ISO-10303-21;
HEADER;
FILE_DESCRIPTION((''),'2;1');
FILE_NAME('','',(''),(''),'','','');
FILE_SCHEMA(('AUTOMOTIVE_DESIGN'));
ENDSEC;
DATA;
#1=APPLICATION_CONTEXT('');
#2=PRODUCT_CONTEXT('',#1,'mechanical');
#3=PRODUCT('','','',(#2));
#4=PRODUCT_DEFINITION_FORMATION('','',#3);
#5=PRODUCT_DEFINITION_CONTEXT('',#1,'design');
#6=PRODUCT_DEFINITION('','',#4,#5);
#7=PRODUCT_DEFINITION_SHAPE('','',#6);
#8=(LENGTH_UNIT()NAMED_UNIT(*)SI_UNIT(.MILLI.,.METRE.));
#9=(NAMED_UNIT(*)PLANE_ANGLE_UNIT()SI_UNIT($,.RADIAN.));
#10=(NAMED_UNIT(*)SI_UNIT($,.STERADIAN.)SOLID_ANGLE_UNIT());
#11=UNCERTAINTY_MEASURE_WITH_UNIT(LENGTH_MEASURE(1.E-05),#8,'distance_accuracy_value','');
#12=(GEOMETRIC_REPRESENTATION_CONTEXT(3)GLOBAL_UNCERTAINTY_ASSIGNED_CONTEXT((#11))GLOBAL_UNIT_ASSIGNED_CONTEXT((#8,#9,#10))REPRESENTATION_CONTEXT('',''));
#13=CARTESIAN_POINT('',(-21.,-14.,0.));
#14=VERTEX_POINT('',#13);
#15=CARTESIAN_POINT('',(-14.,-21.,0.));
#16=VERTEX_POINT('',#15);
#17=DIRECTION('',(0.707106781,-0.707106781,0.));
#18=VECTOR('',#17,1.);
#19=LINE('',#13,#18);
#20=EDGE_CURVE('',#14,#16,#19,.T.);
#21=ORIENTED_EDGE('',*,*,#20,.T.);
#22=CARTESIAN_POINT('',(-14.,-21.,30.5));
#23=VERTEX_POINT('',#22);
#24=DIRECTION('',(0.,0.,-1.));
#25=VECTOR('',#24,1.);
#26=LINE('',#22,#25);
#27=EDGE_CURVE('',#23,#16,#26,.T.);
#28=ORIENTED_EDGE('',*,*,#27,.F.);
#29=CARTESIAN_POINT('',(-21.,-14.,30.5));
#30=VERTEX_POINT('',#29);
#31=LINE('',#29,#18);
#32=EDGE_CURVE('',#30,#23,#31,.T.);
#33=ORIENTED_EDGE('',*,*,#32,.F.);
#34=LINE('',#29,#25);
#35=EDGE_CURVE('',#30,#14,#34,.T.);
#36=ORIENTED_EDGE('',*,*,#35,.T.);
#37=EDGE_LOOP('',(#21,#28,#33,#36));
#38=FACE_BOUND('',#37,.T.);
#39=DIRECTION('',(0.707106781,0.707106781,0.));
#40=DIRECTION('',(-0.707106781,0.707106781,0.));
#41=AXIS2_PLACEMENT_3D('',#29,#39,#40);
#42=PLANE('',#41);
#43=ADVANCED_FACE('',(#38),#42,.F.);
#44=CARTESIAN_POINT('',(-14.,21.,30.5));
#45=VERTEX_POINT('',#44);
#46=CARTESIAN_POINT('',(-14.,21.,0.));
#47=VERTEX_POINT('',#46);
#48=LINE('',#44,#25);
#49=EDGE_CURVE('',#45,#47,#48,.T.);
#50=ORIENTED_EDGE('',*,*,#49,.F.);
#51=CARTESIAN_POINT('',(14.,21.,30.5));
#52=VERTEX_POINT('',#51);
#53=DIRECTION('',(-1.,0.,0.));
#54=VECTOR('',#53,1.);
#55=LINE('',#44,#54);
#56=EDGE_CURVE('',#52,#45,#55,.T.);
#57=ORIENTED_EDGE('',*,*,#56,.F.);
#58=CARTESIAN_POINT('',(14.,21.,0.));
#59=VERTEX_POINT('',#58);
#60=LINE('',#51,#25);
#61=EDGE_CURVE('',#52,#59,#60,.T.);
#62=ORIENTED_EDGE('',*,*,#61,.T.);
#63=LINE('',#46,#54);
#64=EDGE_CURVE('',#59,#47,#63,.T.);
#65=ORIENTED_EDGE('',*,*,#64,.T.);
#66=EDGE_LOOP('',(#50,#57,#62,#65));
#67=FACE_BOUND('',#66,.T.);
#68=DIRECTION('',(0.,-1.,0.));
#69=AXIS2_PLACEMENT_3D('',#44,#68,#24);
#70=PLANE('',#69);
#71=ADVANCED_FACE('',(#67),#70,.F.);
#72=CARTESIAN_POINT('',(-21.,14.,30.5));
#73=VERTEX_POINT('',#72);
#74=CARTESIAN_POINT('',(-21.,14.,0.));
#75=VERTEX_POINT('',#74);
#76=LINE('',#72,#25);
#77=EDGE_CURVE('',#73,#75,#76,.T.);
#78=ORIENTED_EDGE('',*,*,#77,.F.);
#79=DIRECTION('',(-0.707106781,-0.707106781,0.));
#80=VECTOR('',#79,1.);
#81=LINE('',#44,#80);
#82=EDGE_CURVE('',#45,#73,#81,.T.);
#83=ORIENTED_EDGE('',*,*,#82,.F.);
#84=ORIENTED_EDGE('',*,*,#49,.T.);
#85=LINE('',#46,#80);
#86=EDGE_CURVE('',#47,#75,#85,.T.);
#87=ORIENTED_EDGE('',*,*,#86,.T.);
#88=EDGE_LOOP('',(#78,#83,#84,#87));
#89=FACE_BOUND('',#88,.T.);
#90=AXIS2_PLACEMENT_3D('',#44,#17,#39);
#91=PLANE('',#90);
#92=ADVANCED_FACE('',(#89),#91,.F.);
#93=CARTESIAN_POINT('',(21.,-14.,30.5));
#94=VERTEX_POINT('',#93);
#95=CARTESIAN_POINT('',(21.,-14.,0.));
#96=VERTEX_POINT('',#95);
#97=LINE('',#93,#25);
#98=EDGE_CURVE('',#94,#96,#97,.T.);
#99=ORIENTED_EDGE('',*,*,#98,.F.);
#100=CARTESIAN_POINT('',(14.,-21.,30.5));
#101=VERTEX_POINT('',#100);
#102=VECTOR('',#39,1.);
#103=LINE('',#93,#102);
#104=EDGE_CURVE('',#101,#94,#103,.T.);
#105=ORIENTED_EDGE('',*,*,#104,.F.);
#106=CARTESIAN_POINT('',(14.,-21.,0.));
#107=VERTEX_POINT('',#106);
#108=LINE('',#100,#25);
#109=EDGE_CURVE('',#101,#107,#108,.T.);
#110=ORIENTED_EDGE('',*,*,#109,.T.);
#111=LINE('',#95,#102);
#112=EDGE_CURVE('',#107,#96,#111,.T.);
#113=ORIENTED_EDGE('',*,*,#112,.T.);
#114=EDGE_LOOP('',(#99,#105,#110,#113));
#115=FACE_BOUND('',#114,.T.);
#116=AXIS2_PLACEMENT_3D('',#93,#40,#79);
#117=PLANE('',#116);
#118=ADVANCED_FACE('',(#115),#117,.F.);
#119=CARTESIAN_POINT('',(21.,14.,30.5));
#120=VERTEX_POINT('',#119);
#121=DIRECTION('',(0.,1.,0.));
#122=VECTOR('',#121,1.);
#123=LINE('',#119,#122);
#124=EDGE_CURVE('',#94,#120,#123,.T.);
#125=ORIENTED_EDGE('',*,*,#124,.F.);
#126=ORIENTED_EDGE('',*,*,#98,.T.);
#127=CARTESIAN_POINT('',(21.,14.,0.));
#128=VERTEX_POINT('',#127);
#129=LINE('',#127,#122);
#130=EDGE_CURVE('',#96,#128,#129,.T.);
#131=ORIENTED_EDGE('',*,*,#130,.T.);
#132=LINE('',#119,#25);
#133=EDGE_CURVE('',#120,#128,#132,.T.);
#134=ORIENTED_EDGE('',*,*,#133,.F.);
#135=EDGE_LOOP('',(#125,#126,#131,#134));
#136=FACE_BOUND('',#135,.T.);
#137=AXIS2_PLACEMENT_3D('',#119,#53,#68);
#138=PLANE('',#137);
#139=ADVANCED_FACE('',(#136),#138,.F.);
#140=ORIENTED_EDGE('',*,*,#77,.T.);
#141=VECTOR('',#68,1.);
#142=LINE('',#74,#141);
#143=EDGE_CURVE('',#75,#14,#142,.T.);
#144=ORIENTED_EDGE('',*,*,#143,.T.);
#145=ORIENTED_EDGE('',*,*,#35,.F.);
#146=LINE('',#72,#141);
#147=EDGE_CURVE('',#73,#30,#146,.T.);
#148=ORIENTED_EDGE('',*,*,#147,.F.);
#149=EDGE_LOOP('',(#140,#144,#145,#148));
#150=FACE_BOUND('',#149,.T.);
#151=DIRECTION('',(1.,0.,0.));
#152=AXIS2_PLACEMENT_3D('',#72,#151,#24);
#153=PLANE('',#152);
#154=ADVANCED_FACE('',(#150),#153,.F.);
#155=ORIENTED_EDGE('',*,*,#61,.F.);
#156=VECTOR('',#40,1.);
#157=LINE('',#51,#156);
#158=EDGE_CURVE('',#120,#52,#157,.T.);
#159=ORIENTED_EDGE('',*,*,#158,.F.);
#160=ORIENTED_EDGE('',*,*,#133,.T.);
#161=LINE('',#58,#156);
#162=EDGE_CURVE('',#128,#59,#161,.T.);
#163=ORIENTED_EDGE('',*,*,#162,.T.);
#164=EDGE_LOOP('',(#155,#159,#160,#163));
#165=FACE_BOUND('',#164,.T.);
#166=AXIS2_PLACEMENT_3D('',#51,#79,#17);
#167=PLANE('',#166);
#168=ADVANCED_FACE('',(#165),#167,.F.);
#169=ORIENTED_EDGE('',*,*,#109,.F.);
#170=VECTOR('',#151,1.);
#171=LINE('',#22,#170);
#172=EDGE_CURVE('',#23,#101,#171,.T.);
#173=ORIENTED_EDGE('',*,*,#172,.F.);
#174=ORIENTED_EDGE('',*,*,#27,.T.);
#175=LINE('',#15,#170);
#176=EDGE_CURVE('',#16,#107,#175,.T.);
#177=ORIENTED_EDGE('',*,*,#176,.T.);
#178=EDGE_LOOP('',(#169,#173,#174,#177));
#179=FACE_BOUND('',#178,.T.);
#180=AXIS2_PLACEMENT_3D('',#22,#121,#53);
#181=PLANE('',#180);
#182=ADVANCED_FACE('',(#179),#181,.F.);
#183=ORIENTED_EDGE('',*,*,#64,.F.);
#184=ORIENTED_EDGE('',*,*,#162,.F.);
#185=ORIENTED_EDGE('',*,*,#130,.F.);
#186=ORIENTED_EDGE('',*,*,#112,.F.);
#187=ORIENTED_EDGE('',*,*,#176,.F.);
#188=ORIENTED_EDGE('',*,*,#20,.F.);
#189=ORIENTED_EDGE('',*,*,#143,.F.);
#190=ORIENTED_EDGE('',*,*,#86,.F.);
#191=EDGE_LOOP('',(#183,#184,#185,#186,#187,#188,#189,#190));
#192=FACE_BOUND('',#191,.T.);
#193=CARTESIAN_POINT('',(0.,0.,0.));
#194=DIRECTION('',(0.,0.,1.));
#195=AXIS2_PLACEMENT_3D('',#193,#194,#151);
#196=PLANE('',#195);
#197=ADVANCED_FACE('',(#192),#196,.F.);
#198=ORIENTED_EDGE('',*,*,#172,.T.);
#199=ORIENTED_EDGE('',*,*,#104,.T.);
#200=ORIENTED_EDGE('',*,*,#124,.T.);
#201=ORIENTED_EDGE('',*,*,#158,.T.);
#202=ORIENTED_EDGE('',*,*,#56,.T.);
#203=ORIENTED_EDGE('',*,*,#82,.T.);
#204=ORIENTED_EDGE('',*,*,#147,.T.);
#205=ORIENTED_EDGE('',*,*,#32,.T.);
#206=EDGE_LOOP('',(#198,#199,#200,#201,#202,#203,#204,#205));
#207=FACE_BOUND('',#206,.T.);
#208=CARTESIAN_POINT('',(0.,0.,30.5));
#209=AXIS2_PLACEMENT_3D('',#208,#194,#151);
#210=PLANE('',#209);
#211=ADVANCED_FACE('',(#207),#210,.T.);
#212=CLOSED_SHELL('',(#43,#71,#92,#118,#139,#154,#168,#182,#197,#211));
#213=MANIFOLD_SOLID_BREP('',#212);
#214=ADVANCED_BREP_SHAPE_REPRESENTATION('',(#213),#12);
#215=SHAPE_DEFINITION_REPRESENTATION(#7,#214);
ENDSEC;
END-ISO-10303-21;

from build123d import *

# Parameters (mm, degrees)
SALIENTE_EXTRUIR1_DEPTH = 30.5


with BuildPart() as part:
    # Croquis1 → Saliente-Extruir1 (new body)
    with BuildSketch(Plane.XY):
        Polygon((-14, 21), (-21, 14), (-21, -14), (-14, -21), (14, -21), (21, -14), (21, 14), (14, 21), align=None)
    extrude(amount=SALIENTE_EXTRUIR1_DEPTH)


solid = part.part
